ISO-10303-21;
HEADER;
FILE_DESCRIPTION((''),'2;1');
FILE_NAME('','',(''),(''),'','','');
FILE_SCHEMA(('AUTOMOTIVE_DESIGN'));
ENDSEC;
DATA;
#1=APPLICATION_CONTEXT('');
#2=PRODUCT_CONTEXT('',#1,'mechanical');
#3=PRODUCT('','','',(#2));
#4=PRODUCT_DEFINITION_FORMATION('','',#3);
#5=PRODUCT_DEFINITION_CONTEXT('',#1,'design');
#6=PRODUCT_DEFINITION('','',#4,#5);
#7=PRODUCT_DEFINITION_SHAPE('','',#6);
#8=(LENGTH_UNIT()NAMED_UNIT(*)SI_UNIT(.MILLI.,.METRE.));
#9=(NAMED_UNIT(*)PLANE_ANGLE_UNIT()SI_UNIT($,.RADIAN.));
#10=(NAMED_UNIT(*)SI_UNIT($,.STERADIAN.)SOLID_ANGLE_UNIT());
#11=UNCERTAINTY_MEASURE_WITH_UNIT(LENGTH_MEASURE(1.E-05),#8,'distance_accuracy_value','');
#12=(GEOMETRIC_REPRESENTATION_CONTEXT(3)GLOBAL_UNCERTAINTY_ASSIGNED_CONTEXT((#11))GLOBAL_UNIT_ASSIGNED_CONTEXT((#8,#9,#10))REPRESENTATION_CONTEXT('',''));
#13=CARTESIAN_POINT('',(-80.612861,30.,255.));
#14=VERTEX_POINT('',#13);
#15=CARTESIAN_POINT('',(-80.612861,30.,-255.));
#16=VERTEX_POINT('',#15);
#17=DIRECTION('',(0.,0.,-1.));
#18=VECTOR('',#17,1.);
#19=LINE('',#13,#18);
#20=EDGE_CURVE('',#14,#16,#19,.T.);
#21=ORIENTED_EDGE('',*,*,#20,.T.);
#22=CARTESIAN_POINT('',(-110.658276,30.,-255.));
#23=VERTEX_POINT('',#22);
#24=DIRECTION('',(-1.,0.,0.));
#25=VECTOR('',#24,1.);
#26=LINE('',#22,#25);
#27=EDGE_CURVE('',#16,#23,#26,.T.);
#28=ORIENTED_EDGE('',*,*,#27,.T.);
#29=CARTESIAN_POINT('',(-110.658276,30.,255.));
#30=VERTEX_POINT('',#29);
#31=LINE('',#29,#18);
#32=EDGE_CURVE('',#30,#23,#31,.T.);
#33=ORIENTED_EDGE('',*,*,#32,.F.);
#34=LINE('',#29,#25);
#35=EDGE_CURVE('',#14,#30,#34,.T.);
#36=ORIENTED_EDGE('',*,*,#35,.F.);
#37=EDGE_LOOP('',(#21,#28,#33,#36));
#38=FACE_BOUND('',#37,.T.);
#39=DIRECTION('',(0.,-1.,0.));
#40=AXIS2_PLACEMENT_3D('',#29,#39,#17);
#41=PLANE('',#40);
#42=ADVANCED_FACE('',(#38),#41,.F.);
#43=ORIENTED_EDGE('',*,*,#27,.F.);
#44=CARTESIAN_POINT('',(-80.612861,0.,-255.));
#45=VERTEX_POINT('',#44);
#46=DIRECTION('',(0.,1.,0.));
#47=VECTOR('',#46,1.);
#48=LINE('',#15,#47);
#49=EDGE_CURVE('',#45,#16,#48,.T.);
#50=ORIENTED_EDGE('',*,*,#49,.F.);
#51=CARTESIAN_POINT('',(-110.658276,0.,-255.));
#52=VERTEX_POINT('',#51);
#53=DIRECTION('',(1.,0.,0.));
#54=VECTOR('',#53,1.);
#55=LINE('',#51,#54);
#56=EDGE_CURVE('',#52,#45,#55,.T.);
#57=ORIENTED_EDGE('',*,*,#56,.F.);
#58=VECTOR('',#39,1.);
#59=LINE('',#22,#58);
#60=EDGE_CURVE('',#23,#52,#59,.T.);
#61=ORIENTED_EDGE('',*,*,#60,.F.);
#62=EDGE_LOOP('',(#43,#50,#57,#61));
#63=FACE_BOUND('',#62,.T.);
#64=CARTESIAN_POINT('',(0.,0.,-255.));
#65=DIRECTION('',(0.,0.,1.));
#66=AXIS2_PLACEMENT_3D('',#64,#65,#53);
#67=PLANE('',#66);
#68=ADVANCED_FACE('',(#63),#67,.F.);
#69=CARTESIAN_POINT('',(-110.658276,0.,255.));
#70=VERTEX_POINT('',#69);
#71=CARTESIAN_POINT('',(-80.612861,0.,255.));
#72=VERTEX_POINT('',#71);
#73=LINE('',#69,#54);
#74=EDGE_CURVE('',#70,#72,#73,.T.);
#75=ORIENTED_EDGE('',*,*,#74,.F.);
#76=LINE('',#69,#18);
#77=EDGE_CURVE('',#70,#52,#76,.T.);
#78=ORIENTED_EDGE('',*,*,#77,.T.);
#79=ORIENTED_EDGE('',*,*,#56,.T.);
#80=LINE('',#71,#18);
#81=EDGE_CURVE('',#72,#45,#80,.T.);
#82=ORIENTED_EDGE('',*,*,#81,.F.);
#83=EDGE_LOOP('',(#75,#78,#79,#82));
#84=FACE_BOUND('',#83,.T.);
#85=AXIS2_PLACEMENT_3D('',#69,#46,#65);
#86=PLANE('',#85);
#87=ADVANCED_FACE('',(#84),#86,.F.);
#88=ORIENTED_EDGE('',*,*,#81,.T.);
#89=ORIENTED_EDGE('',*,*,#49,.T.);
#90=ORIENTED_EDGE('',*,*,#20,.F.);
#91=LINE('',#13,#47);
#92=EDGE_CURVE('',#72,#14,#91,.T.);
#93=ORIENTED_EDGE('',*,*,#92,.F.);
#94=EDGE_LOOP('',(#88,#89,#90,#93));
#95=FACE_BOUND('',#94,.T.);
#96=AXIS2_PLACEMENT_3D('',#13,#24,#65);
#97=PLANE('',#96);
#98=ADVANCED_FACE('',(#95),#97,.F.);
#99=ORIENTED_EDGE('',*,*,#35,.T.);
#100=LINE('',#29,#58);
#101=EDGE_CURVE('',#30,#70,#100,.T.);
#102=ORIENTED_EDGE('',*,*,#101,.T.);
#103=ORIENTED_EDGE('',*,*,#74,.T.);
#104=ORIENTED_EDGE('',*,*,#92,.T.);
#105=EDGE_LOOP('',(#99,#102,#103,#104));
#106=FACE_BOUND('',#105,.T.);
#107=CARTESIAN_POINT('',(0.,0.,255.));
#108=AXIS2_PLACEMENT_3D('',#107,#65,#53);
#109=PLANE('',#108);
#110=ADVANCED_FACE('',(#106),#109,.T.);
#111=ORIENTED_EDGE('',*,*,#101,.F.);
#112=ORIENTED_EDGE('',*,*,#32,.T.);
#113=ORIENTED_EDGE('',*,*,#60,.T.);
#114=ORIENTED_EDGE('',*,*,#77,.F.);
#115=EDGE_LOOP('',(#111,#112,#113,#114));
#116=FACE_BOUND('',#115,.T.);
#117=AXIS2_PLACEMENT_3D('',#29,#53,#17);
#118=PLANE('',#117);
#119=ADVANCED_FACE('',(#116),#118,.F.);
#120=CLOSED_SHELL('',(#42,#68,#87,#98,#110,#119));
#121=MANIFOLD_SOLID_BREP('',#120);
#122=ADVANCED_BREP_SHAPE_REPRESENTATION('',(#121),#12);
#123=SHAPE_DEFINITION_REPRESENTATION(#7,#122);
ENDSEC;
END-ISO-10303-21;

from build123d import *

# Parameters (mm, degrees)
ESBO_O2_W                = 30.045415171
ESBO_O2_H                = 30
RESSALTO_EXTRUS_O1_DEPTH = 255


with BuildPart() as part:
    # Esboço2 → Ressalto-extrusão1 (new body, symmetric)
    with BuildSketch(Plane.XY):
        with Locations((-95.635568537, 15)):
            Rectangle(ESBO_O2_W, ESBO_O2_H)
    extrude(amount=RESSALTO_EXTRUS_O1_DEPTH, both=True)


solid = part.part
